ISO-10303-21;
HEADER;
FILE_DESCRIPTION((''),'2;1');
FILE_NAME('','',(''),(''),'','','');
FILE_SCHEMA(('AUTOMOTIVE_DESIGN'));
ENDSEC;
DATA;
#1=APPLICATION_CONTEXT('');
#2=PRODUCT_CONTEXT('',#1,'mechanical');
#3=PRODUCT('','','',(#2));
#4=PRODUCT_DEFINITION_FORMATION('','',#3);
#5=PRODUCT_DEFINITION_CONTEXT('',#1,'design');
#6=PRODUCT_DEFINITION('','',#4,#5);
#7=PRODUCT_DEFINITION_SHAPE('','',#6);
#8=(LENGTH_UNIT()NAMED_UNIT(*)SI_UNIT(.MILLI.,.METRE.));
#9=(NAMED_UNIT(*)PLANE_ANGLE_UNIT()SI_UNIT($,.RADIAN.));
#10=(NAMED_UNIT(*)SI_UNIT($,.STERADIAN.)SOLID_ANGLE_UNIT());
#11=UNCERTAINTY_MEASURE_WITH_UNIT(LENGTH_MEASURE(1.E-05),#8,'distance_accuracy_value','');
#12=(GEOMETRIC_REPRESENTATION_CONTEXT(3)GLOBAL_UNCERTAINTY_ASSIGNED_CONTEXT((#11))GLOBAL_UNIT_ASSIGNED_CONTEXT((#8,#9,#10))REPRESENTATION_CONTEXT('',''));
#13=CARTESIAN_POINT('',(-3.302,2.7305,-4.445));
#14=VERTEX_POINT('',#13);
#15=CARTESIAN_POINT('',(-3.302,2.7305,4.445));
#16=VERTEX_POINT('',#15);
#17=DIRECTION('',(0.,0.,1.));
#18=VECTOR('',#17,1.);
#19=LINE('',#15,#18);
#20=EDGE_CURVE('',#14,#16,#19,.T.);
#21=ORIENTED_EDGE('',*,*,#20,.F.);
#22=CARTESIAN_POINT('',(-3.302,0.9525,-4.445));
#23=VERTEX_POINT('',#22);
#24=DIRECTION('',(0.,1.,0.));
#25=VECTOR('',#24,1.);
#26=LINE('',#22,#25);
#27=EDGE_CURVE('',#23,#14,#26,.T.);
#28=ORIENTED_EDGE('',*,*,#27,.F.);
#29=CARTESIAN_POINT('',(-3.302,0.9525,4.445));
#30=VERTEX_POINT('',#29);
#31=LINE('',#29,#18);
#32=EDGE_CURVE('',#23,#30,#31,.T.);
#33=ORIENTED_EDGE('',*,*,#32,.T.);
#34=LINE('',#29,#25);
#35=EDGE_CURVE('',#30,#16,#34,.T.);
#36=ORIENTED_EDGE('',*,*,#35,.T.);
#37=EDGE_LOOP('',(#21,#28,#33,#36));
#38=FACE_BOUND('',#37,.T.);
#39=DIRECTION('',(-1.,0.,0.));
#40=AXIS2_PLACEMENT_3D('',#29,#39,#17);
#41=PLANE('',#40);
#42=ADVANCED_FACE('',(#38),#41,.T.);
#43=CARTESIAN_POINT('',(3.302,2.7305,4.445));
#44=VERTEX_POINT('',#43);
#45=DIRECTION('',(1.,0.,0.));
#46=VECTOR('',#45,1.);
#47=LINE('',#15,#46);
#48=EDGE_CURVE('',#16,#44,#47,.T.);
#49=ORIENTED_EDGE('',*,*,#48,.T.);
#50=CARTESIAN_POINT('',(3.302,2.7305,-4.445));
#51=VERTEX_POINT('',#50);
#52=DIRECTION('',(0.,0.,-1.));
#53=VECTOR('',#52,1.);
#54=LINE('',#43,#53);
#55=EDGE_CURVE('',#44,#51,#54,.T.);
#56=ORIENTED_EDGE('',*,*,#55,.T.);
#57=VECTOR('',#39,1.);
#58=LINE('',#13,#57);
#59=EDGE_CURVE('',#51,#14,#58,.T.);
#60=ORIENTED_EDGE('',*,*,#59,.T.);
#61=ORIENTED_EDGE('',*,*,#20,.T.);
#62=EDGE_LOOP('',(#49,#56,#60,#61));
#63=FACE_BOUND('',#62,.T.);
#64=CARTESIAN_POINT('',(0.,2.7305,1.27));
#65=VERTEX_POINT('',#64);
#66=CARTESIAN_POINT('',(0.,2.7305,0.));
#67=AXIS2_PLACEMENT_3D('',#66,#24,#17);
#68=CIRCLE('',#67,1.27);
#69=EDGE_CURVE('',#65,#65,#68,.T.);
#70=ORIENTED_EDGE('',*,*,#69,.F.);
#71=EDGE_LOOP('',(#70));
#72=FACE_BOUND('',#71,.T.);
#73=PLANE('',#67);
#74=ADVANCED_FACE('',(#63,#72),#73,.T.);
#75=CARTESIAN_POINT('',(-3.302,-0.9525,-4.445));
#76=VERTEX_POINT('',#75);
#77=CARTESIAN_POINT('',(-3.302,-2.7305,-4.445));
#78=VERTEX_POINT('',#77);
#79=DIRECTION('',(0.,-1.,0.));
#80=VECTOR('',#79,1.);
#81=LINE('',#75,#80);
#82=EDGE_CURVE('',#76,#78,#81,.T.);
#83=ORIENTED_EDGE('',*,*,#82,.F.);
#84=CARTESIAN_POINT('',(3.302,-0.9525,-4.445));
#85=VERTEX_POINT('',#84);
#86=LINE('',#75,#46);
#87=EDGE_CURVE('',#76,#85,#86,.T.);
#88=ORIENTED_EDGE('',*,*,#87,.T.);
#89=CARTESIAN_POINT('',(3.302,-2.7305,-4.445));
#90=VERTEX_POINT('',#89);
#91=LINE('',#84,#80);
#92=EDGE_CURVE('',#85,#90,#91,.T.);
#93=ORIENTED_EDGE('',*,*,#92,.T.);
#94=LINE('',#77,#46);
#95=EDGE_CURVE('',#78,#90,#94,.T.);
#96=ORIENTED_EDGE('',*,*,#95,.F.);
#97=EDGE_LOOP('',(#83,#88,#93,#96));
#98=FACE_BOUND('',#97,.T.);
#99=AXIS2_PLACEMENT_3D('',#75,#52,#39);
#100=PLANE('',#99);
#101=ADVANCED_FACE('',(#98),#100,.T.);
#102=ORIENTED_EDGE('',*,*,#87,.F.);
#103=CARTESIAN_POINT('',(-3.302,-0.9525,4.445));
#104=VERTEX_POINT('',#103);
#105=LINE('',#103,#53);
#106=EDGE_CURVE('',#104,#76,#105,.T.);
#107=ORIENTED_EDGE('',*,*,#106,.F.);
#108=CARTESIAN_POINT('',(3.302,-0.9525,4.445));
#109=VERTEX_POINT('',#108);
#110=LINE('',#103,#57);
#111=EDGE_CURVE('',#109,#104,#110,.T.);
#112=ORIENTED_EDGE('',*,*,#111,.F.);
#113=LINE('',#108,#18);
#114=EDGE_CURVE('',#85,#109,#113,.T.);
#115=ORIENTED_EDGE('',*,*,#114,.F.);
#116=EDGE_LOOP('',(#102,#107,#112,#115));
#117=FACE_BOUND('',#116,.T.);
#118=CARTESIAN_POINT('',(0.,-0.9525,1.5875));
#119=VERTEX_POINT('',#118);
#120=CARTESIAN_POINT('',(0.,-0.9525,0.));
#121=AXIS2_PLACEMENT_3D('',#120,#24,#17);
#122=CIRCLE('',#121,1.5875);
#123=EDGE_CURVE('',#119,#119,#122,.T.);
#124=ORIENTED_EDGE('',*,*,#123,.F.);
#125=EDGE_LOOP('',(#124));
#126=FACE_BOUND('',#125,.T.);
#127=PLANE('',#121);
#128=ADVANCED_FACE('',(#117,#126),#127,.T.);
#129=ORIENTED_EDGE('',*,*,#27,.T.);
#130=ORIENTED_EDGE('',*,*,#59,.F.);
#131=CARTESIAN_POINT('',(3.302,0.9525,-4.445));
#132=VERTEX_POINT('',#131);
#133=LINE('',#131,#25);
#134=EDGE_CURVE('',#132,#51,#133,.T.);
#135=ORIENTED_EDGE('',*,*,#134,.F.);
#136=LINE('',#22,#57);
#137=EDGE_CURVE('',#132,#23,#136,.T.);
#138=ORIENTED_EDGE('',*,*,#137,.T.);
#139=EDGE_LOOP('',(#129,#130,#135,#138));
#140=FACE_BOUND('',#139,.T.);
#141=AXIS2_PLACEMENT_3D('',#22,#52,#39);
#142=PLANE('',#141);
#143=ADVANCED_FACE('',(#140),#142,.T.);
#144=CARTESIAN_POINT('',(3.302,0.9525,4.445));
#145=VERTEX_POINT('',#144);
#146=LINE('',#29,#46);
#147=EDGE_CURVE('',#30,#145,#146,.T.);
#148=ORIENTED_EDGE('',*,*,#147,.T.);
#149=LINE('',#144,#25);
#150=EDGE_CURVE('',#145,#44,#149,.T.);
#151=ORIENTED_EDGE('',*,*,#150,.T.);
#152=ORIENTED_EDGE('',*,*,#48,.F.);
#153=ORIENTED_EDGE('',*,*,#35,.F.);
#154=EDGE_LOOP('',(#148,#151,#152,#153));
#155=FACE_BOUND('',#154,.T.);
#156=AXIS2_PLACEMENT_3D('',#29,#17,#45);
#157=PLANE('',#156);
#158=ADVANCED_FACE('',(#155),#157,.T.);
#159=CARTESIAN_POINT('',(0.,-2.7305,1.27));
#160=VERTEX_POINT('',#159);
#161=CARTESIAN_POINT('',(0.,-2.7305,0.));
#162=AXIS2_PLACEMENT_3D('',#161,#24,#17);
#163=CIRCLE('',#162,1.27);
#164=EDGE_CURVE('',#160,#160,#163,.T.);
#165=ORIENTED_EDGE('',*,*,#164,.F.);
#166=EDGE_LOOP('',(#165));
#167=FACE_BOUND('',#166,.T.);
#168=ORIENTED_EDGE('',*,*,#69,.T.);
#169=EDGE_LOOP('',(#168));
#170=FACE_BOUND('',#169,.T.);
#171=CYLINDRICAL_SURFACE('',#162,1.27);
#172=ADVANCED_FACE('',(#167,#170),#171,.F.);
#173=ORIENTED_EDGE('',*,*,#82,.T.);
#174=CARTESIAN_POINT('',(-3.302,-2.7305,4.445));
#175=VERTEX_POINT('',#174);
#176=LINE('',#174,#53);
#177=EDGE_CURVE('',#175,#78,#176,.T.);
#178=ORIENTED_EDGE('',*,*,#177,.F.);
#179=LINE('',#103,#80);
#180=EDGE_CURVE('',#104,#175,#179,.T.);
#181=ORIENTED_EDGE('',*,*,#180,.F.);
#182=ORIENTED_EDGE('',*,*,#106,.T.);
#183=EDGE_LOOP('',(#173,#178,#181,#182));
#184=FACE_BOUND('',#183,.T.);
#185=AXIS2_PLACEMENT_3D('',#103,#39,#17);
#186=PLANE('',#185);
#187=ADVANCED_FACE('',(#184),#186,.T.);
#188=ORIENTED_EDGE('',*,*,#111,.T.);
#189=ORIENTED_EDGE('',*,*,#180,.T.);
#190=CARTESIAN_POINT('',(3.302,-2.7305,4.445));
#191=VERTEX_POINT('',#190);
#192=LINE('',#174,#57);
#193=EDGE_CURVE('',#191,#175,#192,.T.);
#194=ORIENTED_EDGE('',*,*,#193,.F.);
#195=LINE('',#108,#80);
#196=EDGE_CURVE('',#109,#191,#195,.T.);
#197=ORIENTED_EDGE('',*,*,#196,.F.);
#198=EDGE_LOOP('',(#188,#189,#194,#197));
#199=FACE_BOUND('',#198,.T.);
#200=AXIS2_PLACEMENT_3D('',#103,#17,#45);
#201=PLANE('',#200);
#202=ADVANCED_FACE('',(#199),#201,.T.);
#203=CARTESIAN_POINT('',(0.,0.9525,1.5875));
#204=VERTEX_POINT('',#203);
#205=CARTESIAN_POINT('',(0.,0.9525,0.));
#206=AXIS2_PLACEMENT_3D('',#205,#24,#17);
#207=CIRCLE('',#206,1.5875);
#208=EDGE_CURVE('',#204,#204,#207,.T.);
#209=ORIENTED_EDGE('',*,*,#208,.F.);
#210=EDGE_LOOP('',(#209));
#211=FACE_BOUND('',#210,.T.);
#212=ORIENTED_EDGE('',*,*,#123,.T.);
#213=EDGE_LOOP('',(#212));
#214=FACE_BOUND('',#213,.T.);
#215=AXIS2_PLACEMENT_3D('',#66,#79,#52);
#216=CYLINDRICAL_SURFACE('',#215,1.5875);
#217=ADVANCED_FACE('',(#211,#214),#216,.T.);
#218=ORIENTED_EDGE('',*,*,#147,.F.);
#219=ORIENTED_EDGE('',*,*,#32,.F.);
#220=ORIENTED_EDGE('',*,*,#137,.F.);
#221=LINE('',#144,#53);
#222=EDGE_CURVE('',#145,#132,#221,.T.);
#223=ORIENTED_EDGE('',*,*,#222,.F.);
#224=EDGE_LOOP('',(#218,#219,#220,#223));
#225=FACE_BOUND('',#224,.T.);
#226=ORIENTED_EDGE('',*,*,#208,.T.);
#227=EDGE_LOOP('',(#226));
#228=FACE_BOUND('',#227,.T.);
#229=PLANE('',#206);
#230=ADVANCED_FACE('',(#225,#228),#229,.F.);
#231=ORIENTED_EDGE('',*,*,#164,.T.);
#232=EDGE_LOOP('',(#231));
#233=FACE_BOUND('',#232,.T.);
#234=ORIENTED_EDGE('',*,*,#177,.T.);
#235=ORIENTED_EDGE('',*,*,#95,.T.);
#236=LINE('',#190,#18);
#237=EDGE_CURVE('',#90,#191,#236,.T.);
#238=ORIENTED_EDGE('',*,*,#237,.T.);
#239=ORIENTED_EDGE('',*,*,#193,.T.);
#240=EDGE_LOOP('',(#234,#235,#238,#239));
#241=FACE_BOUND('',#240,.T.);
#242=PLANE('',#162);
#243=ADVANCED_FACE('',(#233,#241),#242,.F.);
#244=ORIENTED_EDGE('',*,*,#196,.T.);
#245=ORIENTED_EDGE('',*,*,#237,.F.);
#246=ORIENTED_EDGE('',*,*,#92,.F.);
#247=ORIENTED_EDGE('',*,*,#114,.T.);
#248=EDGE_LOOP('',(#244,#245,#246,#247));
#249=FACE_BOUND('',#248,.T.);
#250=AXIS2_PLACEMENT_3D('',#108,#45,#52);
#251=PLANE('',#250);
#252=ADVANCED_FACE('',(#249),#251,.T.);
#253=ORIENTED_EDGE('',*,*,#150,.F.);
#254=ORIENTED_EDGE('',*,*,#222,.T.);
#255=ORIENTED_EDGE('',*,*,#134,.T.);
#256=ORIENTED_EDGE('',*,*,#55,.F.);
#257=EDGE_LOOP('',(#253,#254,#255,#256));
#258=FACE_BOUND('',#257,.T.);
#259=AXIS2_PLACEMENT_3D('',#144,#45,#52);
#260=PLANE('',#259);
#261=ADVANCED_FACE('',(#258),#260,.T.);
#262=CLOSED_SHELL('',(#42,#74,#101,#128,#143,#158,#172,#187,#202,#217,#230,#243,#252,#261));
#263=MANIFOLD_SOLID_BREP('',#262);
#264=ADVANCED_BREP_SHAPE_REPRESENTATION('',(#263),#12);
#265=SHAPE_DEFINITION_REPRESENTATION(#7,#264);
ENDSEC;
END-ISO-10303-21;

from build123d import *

# Parameters (mm, degrees)
SKETCH3_R           = 1.5875
BOSS_EXTRUDE2_DEPTH = 2.7305
SKETCH4_W           = 6.604
SKETCH4_H           = 8.89
BOSS_EXTRUDE3_DEPTH = 1.778
SKETCH5_W           = 6.604
SKETCH5_H           = 8.89
BOSS_EXTRUDE4_DEPTH = 1.778
SKETCH6_R           = 1.27
CUT_EXTRUDE1_DEPTH  = 8.777129933


with BuildPart() as part:
    # Sketch3 → Boss-Extrude2 (new, symmetric)
    with BuildSketch(Plane(origin=(0, 0, 0), x_dir=(1, 0, 0), z_dir=(0, 1, 0))):
        with Locations(Location((0, 0, 0), (0, 0, 270))):
            Circle(SKETCH3_R)
    extrude(amount=BOSS_EXTRUDE2_DEPTH, both=True)

    # Sketch4 → Boss-Extrude3 (add)
    with BuildSketch(Plane.XZ.offset(2.7305)):
        Rectangle(SKETCH4_W, SKETCH4_H)
    extrude(amount=-BOSS_EXTRUDE3_DEPTH)

    # Sketch5 → Boss-Extrude4 (add)
    with BuildSketch(Plane(origin=(0, 2.7305, 0), x_dir=(1, 0, 0), z_dir=(0, 1, 0))):
        Rectangle(SKETCH5_W, SKETCH5_H)
    extrude(amount=-BOSS_EXTRUDE4_DEPTH)

    # Sketch6 → Cut-Extrude1 (cut, through all)
    with BuildSketch(Plane(origin=(0, 2.7305, 0), x_dir=(1, 0, 0), z_dir=(0, 1, 0))):
        with Locations(Location((0, 0, 0), (0, 0, 270))):
            Circle(SKETCH6_R)
    extrude(amount=-CUT_EXTRUDE1_DEPTH, mode=Mode.SUBTRACT)


solid = part.part
